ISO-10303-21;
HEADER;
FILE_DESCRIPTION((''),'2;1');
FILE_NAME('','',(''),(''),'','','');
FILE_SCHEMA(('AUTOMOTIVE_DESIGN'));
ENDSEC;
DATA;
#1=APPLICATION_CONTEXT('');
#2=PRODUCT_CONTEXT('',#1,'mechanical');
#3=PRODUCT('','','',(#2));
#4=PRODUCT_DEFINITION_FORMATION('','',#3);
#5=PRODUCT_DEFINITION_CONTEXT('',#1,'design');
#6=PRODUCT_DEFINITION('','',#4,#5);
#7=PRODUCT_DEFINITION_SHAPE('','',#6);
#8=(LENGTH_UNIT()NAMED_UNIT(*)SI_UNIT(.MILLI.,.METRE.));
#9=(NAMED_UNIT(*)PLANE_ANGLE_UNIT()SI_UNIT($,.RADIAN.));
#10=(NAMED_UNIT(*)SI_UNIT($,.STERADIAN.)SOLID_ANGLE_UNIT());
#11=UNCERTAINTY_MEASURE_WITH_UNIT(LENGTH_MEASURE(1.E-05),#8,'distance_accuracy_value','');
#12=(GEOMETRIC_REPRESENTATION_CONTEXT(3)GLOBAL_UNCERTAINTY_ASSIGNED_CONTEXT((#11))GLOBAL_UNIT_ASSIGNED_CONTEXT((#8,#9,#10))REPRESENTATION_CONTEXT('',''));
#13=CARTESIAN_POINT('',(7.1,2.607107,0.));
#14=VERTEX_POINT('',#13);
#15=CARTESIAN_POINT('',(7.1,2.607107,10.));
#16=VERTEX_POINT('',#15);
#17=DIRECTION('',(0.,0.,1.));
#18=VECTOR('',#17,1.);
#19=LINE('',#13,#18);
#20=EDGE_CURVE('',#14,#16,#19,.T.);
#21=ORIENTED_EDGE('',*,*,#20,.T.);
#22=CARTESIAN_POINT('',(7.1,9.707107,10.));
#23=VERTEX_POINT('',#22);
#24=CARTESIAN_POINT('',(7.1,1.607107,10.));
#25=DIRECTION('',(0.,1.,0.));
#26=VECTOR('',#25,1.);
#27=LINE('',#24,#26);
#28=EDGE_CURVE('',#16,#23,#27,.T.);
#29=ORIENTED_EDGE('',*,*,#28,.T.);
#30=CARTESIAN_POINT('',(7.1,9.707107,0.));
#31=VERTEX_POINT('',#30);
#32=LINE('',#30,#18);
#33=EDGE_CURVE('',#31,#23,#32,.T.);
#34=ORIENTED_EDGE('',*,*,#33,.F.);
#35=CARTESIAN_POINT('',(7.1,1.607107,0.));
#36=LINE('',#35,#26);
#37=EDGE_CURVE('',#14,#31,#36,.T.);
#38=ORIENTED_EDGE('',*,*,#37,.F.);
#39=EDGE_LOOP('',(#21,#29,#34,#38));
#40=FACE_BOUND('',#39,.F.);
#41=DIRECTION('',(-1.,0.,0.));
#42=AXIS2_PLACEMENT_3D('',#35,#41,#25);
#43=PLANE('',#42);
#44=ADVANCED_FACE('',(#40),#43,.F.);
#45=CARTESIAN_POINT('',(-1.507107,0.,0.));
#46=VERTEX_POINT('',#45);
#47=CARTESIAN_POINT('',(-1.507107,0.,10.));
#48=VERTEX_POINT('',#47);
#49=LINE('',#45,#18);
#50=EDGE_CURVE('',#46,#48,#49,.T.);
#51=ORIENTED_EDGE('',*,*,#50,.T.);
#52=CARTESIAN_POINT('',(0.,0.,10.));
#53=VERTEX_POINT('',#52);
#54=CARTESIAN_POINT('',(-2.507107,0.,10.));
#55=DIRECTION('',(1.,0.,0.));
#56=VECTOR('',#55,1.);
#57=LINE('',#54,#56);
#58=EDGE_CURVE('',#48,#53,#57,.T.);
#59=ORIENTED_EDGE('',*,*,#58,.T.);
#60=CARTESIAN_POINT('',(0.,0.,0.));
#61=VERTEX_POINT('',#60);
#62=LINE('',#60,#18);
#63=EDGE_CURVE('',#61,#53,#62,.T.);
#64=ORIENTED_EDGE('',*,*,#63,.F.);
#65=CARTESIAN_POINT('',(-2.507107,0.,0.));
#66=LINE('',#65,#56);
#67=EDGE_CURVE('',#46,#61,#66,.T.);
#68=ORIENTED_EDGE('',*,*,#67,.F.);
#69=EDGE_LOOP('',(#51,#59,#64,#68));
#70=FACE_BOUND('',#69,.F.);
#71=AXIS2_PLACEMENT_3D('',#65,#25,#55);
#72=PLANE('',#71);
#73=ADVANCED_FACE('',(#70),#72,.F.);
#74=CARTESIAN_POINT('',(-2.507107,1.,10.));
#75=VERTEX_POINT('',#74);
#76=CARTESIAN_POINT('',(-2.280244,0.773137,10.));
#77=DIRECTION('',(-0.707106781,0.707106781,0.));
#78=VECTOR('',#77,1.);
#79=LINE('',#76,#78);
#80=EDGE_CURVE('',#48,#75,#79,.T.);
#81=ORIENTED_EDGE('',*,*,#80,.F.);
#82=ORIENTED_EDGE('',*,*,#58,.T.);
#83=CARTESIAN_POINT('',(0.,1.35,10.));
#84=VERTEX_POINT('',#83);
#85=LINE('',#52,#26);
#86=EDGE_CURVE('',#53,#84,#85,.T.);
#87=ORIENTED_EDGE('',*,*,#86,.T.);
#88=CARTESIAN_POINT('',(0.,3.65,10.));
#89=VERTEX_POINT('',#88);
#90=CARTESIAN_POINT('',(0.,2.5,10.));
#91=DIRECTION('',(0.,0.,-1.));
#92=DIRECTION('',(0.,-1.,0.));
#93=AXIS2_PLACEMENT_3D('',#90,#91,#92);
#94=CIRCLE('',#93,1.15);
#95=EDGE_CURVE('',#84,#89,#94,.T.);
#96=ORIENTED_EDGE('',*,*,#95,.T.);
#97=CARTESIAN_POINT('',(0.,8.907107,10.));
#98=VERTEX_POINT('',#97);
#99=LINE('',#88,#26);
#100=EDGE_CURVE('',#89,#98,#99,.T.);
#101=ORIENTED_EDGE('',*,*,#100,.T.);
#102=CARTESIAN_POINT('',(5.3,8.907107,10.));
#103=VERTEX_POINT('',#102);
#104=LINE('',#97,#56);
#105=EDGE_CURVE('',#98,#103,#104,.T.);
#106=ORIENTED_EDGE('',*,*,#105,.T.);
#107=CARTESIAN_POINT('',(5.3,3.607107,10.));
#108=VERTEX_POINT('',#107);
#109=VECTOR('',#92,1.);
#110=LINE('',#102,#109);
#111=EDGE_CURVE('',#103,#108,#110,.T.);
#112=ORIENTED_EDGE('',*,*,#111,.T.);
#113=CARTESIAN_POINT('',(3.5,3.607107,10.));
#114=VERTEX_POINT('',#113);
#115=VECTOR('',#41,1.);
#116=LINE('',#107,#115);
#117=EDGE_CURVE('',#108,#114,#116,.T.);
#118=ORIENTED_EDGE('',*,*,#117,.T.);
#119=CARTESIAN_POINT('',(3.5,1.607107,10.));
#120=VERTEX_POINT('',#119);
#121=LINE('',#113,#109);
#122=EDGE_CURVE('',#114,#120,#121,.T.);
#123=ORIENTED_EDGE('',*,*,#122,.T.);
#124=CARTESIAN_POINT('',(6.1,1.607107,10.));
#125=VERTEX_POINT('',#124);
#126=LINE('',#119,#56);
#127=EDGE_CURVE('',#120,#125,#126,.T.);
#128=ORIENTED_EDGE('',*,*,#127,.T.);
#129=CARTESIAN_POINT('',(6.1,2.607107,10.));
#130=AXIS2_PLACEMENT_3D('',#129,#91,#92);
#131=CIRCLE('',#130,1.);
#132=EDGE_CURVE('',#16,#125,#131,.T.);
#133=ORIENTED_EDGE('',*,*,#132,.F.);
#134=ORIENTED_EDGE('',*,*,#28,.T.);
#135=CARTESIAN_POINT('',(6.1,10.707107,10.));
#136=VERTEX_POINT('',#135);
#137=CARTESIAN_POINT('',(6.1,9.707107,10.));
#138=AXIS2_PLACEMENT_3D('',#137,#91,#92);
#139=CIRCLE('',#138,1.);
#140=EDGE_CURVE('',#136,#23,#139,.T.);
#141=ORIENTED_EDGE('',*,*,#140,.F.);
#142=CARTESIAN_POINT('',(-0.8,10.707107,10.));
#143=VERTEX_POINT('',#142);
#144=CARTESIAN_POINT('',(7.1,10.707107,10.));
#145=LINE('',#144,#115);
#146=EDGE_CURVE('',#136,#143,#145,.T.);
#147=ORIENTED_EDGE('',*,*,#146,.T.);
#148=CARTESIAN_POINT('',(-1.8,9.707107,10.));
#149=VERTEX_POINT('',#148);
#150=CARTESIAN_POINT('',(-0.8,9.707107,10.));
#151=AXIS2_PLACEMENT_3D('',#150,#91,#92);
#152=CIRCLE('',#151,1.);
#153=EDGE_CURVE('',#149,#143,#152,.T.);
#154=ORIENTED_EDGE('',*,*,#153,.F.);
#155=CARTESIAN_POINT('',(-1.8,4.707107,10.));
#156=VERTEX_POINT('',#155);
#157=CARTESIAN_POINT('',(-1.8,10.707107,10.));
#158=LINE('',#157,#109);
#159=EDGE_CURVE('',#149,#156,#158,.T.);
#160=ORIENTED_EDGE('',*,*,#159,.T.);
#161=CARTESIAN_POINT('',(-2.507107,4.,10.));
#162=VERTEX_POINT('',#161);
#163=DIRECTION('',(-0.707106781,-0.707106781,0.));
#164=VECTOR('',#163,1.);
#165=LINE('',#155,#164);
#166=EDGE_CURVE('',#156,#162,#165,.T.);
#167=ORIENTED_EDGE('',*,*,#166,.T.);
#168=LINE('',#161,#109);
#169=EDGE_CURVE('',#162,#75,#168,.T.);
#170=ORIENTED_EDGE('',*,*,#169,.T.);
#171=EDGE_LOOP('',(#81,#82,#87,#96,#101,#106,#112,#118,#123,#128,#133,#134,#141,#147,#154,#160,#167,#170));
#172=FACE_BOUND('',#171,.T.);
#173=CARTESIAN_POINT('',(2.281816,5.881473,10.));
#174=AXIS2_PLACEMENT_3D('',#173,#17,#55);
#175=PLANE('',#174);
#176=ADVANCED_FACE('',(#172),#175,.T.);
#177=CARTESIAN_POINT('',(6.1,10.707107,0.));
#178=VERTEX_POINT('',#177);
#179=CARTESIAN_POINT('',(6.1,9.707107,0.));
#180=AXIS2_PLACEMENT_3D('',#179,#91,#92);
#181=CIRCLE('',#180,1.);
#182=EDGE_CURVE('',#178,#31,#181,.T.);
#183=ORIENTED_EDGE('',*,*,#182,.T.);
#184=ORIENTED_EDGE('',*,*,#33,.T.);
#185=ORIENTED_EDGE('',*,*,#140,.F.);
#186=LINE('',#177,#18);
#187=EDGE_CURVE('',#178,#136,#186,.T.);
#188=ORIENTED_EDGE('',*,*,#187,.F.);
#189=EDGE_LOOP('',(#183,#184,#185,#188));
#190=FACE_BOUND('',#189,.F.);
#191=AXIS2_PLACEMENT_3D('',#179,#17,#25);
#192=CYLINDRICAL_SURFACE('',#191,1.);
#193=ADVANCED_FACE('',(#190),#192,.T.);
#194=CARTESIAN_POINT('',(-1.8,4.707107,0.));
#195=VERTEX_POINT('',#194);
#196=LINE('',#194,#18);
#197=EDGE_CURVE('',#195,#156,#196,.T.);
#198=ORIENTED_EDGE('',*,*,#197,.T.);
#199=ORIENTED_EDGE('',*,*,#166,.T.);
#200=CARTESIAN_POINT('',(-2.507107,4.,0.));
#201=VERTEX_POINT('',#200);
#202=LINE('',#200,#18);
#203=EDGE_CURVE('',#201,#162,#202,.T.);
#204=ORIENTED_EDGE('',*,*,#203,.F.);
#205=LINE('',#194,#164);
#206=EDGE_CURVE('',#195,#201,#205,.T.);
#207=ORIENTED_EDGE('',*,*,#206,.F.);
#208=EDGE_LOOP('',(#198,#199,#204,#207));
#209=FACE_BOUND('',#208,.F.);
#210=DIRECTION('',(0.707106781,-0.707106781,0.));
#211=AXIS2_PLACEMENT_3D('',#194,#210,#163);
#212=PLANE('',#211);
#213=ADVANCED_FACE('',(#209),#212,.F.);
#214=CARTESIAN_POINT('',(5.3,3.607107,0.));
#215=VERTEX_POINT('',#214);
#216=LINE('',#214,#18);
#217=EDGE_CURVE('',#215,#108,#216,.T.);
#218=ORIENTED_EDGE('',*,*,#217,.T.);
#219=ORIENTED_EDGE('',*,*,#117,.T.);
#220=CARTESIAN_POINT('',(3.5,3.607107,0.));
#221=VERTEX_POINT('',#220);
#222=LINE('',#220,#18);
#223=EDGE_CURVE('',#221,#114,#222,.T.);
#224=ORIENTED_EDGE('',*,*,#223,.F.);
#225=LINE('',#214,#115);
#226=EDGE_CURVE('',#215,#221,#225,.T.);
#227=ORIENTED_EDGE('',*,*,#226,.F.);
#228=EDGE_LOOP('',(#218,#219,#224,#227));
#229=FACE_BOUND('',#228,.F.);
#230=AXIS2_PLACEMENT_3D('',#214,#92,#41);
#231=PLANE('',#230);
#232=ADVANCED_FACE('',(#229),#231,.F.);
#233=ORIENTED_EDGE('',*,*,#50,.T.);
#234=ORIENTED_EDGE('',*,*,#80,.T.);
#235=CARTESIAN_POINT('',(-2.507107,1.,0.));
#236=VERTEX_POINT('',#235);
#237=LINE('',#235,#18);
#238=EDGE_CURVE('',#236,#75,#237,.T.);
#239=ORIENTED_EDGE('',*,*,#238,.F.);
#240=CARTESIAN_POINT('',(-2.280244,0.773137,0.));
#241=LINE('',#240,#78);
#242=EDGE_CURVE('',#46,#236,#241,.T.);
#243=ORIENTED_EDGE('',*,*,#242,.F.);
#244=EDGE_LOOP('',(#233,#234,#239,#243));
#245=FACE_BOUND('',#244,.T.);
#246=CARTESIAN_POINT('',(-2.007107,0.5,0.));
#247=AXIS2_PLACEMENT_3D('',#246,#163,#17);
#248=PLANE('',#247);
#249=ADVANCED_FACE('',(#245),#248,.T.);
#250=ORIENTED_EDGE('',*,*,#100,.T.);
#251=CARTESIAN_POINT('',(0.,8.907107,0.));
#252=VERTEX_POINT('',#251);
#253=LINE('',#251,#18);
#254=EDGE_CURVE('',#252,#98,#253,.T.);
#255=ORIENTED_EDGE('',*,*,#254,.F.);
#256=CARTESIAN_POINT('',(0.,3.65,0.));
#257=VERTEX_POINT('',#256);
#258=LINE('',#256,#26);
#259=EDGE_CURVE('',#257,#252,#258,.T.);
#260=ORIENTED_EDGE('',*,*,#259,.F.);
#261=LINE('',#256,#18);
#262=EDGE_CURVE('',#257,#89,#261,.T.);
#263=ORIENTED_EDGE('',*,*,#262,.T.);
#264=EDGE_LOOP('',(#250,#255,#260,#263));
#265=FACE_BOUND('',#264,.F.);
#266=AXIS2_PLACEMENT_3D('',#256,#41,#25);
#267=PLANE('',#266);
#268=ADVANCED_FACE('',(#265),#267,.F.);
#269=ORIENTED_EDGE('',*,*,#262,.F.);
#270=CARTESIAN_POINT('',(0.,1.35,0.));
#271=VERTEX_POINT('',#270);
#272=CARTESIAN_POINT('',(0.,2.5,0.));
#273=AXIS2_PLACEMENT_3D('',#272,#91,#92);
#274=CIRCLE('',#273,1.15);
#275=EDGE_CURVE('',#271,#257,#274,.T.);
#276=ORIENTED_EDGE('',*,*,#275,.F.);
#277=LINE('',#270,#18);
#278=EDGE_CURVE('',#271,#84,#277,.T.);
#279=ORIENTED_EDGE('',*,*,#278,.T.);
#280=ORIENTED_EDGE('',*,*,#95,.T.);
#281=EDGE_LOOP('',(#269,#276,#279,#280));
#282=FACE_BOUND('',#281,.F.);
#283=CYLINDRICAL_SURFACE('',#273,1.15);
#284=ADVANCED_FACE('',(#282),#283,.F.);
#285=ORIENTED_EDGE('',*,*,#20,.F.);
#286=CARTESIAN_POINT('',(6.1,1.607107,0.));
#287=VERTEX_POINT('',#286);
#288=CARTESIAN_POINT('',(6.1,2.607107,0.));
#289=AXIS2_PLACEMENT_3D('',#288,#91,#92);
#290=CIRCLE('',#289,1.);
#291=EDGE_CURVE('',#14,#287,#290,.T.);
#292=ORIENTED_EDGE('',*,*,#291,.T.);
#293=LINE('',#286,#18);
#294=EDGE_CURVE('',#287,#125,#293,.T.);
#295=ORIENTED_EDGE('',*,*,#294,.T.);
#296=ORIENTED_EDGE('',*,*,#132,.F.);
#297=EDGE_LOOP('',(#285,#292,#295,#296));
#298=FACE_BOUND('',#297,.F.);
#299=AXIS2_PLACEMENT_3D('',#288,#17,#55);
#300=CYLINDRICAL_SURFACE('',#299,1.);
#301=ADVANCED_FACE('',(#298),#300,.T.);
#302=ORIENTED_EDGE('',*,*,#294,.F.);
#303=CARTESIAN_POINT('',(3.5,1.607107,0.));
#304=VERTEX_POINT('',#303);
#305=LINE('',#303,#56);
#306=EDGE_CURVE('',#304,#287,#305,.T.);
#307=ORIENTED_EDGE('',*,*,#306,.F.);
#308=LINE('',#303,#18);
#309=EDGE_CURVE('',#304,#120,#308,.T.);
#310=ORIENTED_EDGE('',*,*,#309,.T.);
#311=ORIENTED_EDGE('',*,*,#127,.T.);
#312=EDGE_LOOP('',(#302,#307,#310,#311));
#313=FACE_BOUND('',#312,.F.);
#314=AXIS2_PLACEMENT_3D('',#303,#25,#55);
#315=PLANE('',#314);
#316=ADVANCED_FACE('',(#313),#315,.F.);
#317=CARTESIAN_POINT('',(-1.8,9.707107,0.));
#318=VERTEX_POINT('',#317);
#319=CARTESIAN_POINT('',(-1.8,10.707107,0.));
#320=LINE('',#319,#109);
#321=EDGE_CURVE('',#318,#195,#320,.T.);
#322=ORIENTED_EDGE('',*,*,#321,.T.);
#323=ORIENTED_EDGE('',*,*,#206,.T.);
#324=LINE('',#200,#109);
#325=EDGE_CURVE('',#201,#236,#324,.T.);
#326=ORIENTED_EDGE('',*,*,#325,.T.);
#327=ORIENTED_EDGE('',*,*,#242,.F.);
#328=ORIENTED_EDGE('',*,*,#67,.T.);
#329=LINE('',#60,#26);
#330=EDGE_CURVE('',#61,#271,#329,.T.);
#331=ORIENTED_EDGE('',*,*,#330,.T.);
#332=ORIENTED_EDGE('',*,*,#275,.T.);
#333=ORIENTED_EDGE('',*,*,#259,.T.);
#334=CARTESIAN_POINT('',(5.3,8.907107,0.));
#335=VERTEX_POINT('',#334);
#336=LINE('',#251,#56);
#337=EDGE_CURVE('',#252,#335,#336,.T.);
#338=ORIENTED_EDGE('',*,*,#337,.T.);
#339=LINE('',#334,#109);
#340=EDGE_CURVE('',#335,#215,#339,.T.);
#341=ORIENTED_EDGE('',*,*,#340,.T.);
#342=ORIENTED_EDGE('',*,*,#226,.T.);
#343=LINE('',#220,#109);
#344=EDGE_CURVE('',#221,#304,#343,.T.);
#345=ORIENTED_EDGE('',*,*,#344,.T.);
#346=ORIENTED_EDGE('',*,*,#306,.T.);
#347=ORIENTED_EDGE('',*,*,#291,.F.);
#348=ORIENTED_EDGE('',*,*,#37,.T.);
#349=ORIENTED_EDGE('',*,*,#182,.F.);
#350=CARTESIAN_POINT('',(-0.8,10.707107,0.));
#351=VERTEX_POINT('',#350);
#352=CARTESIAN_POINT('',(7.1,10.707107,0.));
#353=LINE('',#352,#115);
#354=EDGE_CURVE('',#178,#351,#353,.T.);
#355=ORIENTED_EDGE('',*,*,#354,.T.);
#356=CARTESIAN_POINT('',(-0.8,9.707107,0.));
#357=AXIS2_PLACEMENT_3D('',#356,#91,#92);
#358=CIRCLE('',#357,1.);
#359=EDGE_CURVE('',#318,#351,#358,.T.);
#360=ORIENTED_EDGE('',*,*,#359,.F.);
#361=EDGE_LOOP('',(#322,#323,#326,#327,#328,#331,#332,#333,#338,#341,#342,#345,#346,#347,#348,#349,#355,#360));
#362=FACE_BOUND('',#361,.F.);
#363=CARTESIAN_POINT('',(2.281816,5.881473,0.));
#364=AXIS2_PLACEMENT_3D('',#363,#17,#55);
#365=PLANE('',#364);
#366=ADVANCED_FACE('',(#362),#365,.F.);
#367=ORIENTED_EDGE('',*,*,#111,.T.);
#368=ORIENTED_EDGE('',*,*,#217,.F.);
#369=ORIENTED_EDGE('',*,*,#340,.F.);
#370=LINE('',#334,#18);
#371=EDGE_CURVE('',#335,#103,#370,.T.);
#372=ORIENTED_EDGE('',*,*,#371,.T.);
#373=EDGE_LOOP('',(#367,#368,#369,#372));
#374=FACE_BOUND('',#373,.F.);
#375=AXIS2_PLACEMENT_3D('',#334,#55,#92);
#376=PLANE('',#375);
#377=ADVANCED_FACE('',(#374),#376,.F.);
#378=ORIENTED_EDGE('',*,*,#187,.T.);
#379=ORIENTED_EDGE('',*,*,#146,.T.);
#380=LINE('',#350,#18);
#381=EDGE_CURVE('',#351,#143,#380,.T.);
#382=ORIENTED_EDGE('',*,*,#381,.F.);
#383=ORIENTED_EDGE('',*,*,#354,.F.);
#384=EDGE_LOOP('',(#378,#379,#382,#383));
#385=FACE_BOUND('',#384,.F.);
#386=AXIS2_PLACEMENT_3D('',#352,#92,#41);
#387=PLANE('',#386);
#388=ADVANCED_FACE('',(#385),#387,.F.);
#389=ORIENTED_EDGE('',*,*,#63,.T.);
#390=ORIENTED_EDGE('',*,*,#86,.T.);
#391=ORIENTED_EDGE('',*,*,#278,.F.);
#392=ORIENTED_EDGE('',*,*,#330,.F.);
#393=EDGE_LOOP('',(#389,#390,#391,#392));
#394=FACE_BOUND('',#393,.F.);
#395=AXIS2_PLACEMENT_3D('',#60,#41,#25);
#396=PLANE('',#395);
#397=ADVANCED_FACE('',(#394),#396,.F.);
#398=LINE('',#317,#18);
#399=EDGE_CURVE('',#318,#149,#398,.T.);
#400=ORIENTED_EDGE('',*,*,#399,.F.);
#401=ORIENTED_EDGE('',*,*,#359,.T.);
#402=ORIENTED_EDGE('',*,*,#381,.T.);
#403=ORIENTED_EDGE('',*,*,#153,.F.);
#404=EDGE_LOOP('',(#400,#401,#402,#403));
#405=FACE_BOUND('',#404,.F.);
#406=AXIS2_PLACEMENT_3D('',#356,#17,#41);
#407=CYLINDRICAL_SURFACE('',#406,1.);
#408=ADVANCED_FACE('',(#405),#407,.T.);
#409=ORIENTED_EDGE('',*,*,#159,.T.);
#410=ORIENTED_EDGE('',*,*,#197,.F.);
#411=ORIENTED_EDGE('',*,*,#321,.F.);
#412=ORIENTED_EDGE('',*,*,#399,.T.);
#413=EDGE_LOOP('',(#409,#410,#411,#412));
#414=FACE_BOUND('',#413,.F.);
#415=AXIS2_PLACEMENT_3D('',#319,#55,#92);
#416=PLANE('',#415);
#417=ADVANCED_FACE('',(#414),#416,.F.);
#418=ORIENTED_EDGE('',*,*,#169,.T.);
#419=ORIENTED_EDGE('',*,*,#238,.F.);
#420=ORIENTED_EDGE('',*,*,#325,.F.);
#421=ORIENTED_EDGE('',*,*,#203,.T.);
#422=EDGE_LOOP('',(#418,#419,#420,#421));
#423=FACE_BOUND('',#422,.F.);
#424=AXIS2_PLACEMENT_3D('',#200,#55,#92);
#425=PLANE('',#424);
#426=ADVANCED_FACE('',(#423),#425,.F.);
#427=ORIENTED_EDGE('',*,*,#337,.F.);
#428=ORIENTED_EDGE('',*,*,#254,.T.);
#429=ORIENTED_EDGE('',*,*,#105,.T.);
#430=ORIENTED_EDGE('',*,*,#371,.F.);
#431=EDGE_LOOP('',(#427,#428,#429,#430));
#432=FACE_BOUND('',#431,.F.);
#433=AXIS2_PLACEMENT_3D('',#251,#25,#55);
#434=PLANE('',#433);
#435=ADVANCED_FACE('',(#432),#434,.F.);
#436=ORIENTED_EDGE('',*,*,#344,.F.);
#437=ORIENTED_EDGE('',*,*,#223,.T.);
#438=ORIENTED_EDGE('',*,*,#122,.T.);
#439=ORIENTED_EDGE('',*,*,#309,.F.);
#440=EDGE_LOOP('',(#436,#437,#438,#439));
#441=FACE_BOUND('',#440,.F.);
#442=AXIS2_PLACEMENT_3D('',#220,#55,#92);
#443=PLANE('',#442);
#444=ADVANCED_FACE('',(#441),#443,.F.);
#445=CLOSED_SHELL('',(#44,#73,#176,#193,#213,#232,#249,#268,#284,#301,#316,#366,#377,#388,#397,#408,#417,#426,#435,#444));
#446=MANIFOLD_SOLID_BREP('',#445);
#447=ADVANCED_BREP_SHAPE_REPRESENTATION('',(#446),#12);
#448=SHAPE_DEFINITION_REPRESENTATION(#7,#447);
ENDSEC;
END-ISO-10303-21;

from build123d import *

# Parameters (mm, degrees)
F1_DEPTH = 10
F2_SIZE  = 1
F3_R     = 1


with BuildPart() as f1:
    # F0 (on Top) → F1 (new body)
    with BuildSketch(Plane.XY):
        with BuildLine():
            Line((-2.507107, 0), (0, 0))
            Line((0, 0), (0, 1.35))
            ThreePointArc((0, 1.35), (-1.15, 2.5), (0, 3.65))
            Line((0, 3.65), (0, 8.907107))
            Line((0, 8.907107), (5.3, 8.907107))
            Line((5.3, 8.907107), (5.3, 3.607107))
            Line((5.3, 3.607107), (3.5, 3.607107))
            Line((3.5, 3.607107), (3.5, 1.607107))
            Line((3.5, 1.607107), (7.1, 1.607107))
            Line((7.1, 1.607107), (7.1, 10.707107))
            Line((7.1, 10.707107), (-1.8, 10.707107))
            Line((-1.8, 10.707107), (-1.8, 4.707107))
            Line((-1.8, 4.707107), (-2.507107, 4))
            Line((-2.507107, 4), (-2.507107, 0))
        make_face()
    extrude(amount=F1_DEPTH)

    # F2
    f2_edges = [f1.edges().sort_by_distance(p)[0] for p in [
        (-2.507107, 0, 5),
    ]]
    chamfer(f2_edges, length=F2_SIZE)

    # F3
    f3_edges = [f1.edges().sort_by_distance(p)[0] for p in [
        (7.1, 1.607107, 5),
        (7.1, 10.707107, 5),
        (-1.8, 10.707107, 5),
    ]]
    fillet(f3_edges, radius=F3_R)


solid = f1.part
